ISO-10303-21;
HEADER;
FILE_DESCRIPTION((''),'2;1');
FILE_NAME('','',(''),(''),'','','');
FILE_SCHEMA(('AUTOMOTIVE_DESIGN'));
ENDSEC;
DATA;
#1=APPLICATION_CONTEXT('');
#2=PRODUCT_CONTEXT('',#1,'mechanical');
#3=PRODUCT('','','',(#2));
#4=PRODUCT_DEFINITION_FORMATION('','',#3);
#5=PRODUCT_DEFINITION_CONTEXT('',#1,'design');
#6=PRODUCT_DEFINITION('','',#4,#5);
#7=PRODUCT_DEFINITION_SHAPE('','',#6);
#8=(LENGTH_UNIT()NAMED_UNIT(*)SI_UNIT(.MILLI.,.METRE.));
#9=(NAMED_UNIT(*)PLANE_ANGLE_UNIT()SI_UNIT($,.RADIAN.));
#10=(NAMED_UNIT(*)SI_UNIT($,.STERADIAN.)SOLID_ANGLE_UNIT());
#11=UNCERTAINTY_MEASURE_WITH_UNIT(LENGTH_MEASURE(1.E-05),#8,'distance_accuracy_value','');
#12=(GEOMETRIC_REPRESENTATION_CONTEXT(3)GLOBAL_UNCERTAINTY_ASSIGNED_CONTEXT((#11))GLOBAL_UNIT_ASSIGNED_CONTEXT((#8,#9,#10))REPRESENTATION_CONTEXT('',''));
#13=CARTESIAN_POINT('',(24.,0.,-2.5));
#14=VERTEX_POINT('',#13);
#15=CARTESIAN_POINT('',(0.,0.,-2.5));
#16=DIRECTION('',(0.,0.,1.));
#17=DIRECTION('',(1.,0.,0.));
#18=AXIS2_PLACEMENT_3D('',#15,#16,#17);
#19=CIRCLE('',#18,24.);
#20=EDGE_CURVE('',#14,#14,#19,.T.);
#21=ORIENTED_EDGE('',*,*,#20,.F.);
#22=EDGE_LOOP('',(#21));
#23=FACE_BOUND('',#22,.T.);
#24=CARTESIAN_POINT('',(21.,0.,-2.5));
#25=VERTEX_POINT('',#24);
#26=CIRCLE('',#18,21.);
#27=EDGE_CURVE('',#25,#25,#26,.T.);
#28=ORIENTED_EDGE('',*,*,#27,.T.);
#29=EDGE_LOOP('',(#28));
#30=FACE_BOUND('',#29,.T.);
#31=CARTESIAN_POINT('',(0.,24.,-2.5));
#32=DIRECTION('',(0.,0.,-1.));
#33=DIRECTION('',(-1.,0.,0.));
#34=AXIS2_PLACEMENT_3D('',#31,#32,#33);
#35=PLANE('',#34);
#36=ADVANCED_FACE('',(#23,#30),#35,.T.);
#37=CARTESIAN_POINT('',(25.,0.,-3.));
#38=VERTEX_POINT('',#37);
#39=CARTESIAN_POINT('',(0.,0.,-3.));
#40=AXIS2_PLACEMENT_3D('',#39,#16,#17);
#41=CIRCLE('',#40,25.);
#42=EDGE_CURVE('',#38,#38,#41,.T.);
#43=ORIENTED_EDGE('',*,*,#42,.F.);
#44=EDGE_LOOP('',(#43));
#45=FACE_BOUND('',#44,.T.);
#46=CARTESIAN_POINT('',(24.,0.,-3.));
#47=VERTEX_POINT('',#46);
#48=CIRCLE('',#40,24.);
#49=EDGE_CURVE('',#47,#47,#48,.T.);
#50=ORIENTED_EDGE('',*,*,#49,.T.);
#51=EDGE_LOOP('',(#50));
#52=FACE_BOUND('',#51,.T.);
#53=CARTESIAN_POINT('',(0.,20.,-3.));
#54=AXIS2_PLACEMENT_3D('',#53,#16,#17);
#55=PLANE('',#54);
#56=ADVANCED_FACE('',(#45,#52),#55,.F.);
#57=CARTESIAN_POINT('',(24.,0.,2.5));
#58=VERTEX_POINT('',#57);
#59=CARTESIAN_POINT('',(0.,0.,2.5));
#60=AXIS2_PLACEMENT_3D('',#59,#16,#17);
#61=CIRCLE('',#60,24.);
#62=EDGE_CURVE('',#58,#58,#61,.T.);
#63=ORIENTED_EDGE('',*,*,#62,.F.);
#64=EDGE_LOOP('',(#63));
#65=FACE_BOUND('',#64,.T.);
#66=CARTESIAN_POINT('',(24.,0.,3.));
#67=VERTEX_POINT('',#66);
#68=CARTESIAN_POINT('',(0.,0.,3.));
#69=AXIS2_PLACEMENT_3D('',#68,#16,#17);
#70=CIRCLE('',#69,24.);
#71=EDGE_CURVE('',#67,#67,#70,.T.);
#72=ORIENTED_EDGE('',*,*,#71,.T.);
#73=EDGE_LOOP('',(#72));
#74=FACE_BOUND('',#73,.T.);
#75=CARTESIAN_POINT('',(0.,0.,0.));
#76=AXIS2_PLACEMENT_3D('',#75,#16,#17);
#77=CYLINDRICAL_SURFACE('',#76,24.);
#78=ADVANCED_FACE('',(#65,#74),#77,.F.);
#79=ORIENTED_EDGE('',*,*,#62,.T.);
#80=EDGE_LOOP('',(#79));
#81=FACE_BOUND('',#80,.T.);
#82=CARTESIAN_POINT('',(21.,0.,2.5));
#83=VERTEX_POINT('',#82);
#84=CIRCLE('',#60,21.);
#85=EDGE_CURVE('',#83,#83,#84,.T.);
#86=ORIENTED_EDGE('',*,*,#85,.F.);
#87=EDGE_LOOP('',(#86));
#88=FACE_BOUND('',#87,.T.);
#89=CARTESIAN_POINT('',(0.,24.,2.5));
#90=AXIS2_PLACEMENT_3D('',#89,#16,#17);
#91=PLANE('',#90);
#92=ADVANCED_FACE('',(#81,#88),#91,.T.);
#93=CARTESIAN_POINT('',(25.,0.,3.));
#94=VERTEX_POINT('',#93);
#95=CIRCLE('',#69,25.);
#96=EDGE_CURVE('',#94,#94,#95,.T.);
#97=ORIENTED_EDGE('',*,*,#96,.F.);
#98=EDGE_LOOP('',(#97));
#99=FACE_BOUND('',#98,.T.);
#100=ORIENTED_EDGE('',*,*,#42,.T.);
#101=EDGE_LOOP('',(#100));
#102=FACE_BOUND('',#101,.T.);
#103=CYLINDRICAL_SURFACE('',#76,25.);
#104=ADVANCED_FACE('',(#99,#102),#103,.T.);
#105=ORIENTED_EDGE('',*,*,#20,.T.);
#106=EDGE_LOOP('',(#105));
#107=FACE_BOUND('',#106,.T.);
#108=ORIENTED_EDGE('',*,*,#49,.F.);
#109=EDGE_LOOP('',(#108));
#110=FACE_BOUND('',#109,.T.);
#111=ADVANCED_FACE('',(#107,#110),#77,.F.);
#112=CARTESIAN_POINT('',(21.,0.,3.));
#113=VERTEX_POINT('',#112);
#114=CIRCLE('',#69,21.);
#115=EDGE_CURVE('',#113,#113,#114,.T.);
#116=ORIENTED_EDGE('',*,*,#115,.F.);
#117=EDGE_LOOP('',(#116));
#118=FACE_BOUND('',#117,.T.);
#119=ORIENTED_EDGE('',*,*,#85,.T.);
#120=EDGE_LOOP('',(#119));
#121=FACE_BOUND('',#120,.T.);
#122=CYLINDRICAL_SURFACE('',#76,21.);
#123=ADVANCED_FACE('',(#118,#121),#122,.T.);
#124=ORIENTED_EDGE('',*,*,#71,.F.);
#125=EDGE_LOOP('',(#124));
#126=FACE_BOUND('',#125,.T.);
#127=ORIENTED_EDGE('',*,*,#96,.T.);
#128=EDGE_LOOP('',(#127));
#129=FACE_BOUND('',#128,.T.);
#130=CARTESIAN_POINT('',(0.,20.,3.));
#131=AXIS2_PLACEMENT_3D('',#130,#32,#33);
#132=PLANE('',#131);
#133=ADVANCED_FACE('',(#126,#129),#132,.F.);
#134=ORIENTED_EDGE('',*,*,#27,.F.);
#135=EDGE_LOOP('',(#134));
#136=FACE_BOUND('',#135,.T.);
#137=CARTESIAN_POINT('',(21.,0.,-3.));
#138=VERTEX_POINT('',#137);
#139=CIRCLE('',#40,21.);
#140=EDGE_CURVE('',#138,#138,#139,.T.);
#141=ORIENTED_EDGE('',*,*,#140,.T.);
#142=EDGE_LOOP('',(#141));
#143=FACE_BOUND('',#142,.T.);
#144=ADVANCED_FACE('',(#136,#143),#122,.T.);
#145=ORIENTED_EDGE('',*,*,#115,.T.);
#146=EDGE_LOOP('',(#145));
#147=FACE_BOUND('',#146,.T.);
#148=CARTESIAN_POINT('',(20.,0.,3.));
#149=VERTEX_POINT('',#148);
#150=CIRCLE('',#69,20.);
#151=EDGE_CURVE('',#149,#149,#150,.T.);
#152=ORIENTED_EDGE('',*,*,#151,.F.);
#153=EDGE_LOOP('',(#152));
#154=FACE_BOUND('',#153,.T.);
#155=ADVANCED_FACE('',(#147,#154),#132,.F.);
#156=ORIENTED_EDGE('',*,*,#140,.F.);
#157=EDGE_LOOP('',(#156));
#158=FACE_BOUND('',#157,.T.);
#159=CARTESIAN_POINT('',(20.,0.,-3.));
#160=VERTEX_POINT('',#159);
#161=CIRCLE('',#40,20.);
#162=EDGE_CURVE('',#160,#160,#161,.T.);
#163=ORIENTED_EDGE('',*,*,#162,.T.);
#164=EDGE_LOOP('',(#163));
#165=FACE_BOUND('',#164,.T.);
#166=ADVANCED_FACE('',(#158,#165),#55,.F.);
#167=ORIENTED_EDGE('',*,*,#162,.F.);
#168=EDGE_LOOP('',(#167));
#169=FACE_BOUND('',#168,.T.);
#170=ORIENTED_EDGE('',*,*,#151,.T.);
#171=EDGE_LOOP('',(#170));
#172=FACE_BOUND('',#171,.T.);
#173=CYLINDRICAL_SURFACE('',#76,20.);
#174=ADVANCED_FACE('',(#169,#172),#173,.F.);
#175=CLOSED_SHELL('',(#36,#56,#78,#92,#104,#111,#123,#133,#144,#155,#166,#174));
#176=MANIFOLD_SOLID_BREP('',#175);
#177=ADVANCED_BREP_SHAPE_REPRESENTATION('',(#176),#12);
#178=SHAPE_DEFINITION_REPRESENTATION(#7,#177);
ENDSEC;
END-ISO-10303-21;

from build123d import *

# Parameters (mm, degrees)
SKETCH1_W = 6
SKETCH1_H = 5
SKETCH3_W = 0.5
SKETCH3_H = 3


with BuildPart() as part:
    # Sketch1 → Revolve1 (revolve)
    with BuildSketch(Plane(origin=(0, 0, 0), x_dir=(0, 0, -1), z_dir=(1, 0, 0)), mode=Mode.PRIVATE) as revolve1_sk:
        with Locations((0, 22.5)):
            Rectangle(SKETCH1_W, SKETCH1_H)
    revolve(revolve1_sk.sketch.rotate(Axis((0, 0, 0), (0, 0, -1)), 90), axis=Axis((0, 0, 0), (0, 0, -1)))

    # Sketch3 → Cut-Revolve2 (revolve, cut)
    with BuildSketch(Plane(origin=(0, 0, 0), x_dir=(0, 0, -1), z_dir=(1, 0, 0)), mode=Mode.PRIVATE) as cut_revolve2_sk:
        with Locations((2.75, 22.5)):
            Rectangle(SKETCH3_W, SKETCH3_H)
        with Locations((-2.75, 22.5)):
            Rectangle(SKETCH3_W, SKETCH3_H)
    revolve(cut_revolve2_sk.sketch.rotate(Axis((0, 0, 0), (0, 0, -1)), 90), axis=Axis((0, 0, 0), (0, 0, -1)), mode=Mode.SUBTRACT)


solid = part.part
